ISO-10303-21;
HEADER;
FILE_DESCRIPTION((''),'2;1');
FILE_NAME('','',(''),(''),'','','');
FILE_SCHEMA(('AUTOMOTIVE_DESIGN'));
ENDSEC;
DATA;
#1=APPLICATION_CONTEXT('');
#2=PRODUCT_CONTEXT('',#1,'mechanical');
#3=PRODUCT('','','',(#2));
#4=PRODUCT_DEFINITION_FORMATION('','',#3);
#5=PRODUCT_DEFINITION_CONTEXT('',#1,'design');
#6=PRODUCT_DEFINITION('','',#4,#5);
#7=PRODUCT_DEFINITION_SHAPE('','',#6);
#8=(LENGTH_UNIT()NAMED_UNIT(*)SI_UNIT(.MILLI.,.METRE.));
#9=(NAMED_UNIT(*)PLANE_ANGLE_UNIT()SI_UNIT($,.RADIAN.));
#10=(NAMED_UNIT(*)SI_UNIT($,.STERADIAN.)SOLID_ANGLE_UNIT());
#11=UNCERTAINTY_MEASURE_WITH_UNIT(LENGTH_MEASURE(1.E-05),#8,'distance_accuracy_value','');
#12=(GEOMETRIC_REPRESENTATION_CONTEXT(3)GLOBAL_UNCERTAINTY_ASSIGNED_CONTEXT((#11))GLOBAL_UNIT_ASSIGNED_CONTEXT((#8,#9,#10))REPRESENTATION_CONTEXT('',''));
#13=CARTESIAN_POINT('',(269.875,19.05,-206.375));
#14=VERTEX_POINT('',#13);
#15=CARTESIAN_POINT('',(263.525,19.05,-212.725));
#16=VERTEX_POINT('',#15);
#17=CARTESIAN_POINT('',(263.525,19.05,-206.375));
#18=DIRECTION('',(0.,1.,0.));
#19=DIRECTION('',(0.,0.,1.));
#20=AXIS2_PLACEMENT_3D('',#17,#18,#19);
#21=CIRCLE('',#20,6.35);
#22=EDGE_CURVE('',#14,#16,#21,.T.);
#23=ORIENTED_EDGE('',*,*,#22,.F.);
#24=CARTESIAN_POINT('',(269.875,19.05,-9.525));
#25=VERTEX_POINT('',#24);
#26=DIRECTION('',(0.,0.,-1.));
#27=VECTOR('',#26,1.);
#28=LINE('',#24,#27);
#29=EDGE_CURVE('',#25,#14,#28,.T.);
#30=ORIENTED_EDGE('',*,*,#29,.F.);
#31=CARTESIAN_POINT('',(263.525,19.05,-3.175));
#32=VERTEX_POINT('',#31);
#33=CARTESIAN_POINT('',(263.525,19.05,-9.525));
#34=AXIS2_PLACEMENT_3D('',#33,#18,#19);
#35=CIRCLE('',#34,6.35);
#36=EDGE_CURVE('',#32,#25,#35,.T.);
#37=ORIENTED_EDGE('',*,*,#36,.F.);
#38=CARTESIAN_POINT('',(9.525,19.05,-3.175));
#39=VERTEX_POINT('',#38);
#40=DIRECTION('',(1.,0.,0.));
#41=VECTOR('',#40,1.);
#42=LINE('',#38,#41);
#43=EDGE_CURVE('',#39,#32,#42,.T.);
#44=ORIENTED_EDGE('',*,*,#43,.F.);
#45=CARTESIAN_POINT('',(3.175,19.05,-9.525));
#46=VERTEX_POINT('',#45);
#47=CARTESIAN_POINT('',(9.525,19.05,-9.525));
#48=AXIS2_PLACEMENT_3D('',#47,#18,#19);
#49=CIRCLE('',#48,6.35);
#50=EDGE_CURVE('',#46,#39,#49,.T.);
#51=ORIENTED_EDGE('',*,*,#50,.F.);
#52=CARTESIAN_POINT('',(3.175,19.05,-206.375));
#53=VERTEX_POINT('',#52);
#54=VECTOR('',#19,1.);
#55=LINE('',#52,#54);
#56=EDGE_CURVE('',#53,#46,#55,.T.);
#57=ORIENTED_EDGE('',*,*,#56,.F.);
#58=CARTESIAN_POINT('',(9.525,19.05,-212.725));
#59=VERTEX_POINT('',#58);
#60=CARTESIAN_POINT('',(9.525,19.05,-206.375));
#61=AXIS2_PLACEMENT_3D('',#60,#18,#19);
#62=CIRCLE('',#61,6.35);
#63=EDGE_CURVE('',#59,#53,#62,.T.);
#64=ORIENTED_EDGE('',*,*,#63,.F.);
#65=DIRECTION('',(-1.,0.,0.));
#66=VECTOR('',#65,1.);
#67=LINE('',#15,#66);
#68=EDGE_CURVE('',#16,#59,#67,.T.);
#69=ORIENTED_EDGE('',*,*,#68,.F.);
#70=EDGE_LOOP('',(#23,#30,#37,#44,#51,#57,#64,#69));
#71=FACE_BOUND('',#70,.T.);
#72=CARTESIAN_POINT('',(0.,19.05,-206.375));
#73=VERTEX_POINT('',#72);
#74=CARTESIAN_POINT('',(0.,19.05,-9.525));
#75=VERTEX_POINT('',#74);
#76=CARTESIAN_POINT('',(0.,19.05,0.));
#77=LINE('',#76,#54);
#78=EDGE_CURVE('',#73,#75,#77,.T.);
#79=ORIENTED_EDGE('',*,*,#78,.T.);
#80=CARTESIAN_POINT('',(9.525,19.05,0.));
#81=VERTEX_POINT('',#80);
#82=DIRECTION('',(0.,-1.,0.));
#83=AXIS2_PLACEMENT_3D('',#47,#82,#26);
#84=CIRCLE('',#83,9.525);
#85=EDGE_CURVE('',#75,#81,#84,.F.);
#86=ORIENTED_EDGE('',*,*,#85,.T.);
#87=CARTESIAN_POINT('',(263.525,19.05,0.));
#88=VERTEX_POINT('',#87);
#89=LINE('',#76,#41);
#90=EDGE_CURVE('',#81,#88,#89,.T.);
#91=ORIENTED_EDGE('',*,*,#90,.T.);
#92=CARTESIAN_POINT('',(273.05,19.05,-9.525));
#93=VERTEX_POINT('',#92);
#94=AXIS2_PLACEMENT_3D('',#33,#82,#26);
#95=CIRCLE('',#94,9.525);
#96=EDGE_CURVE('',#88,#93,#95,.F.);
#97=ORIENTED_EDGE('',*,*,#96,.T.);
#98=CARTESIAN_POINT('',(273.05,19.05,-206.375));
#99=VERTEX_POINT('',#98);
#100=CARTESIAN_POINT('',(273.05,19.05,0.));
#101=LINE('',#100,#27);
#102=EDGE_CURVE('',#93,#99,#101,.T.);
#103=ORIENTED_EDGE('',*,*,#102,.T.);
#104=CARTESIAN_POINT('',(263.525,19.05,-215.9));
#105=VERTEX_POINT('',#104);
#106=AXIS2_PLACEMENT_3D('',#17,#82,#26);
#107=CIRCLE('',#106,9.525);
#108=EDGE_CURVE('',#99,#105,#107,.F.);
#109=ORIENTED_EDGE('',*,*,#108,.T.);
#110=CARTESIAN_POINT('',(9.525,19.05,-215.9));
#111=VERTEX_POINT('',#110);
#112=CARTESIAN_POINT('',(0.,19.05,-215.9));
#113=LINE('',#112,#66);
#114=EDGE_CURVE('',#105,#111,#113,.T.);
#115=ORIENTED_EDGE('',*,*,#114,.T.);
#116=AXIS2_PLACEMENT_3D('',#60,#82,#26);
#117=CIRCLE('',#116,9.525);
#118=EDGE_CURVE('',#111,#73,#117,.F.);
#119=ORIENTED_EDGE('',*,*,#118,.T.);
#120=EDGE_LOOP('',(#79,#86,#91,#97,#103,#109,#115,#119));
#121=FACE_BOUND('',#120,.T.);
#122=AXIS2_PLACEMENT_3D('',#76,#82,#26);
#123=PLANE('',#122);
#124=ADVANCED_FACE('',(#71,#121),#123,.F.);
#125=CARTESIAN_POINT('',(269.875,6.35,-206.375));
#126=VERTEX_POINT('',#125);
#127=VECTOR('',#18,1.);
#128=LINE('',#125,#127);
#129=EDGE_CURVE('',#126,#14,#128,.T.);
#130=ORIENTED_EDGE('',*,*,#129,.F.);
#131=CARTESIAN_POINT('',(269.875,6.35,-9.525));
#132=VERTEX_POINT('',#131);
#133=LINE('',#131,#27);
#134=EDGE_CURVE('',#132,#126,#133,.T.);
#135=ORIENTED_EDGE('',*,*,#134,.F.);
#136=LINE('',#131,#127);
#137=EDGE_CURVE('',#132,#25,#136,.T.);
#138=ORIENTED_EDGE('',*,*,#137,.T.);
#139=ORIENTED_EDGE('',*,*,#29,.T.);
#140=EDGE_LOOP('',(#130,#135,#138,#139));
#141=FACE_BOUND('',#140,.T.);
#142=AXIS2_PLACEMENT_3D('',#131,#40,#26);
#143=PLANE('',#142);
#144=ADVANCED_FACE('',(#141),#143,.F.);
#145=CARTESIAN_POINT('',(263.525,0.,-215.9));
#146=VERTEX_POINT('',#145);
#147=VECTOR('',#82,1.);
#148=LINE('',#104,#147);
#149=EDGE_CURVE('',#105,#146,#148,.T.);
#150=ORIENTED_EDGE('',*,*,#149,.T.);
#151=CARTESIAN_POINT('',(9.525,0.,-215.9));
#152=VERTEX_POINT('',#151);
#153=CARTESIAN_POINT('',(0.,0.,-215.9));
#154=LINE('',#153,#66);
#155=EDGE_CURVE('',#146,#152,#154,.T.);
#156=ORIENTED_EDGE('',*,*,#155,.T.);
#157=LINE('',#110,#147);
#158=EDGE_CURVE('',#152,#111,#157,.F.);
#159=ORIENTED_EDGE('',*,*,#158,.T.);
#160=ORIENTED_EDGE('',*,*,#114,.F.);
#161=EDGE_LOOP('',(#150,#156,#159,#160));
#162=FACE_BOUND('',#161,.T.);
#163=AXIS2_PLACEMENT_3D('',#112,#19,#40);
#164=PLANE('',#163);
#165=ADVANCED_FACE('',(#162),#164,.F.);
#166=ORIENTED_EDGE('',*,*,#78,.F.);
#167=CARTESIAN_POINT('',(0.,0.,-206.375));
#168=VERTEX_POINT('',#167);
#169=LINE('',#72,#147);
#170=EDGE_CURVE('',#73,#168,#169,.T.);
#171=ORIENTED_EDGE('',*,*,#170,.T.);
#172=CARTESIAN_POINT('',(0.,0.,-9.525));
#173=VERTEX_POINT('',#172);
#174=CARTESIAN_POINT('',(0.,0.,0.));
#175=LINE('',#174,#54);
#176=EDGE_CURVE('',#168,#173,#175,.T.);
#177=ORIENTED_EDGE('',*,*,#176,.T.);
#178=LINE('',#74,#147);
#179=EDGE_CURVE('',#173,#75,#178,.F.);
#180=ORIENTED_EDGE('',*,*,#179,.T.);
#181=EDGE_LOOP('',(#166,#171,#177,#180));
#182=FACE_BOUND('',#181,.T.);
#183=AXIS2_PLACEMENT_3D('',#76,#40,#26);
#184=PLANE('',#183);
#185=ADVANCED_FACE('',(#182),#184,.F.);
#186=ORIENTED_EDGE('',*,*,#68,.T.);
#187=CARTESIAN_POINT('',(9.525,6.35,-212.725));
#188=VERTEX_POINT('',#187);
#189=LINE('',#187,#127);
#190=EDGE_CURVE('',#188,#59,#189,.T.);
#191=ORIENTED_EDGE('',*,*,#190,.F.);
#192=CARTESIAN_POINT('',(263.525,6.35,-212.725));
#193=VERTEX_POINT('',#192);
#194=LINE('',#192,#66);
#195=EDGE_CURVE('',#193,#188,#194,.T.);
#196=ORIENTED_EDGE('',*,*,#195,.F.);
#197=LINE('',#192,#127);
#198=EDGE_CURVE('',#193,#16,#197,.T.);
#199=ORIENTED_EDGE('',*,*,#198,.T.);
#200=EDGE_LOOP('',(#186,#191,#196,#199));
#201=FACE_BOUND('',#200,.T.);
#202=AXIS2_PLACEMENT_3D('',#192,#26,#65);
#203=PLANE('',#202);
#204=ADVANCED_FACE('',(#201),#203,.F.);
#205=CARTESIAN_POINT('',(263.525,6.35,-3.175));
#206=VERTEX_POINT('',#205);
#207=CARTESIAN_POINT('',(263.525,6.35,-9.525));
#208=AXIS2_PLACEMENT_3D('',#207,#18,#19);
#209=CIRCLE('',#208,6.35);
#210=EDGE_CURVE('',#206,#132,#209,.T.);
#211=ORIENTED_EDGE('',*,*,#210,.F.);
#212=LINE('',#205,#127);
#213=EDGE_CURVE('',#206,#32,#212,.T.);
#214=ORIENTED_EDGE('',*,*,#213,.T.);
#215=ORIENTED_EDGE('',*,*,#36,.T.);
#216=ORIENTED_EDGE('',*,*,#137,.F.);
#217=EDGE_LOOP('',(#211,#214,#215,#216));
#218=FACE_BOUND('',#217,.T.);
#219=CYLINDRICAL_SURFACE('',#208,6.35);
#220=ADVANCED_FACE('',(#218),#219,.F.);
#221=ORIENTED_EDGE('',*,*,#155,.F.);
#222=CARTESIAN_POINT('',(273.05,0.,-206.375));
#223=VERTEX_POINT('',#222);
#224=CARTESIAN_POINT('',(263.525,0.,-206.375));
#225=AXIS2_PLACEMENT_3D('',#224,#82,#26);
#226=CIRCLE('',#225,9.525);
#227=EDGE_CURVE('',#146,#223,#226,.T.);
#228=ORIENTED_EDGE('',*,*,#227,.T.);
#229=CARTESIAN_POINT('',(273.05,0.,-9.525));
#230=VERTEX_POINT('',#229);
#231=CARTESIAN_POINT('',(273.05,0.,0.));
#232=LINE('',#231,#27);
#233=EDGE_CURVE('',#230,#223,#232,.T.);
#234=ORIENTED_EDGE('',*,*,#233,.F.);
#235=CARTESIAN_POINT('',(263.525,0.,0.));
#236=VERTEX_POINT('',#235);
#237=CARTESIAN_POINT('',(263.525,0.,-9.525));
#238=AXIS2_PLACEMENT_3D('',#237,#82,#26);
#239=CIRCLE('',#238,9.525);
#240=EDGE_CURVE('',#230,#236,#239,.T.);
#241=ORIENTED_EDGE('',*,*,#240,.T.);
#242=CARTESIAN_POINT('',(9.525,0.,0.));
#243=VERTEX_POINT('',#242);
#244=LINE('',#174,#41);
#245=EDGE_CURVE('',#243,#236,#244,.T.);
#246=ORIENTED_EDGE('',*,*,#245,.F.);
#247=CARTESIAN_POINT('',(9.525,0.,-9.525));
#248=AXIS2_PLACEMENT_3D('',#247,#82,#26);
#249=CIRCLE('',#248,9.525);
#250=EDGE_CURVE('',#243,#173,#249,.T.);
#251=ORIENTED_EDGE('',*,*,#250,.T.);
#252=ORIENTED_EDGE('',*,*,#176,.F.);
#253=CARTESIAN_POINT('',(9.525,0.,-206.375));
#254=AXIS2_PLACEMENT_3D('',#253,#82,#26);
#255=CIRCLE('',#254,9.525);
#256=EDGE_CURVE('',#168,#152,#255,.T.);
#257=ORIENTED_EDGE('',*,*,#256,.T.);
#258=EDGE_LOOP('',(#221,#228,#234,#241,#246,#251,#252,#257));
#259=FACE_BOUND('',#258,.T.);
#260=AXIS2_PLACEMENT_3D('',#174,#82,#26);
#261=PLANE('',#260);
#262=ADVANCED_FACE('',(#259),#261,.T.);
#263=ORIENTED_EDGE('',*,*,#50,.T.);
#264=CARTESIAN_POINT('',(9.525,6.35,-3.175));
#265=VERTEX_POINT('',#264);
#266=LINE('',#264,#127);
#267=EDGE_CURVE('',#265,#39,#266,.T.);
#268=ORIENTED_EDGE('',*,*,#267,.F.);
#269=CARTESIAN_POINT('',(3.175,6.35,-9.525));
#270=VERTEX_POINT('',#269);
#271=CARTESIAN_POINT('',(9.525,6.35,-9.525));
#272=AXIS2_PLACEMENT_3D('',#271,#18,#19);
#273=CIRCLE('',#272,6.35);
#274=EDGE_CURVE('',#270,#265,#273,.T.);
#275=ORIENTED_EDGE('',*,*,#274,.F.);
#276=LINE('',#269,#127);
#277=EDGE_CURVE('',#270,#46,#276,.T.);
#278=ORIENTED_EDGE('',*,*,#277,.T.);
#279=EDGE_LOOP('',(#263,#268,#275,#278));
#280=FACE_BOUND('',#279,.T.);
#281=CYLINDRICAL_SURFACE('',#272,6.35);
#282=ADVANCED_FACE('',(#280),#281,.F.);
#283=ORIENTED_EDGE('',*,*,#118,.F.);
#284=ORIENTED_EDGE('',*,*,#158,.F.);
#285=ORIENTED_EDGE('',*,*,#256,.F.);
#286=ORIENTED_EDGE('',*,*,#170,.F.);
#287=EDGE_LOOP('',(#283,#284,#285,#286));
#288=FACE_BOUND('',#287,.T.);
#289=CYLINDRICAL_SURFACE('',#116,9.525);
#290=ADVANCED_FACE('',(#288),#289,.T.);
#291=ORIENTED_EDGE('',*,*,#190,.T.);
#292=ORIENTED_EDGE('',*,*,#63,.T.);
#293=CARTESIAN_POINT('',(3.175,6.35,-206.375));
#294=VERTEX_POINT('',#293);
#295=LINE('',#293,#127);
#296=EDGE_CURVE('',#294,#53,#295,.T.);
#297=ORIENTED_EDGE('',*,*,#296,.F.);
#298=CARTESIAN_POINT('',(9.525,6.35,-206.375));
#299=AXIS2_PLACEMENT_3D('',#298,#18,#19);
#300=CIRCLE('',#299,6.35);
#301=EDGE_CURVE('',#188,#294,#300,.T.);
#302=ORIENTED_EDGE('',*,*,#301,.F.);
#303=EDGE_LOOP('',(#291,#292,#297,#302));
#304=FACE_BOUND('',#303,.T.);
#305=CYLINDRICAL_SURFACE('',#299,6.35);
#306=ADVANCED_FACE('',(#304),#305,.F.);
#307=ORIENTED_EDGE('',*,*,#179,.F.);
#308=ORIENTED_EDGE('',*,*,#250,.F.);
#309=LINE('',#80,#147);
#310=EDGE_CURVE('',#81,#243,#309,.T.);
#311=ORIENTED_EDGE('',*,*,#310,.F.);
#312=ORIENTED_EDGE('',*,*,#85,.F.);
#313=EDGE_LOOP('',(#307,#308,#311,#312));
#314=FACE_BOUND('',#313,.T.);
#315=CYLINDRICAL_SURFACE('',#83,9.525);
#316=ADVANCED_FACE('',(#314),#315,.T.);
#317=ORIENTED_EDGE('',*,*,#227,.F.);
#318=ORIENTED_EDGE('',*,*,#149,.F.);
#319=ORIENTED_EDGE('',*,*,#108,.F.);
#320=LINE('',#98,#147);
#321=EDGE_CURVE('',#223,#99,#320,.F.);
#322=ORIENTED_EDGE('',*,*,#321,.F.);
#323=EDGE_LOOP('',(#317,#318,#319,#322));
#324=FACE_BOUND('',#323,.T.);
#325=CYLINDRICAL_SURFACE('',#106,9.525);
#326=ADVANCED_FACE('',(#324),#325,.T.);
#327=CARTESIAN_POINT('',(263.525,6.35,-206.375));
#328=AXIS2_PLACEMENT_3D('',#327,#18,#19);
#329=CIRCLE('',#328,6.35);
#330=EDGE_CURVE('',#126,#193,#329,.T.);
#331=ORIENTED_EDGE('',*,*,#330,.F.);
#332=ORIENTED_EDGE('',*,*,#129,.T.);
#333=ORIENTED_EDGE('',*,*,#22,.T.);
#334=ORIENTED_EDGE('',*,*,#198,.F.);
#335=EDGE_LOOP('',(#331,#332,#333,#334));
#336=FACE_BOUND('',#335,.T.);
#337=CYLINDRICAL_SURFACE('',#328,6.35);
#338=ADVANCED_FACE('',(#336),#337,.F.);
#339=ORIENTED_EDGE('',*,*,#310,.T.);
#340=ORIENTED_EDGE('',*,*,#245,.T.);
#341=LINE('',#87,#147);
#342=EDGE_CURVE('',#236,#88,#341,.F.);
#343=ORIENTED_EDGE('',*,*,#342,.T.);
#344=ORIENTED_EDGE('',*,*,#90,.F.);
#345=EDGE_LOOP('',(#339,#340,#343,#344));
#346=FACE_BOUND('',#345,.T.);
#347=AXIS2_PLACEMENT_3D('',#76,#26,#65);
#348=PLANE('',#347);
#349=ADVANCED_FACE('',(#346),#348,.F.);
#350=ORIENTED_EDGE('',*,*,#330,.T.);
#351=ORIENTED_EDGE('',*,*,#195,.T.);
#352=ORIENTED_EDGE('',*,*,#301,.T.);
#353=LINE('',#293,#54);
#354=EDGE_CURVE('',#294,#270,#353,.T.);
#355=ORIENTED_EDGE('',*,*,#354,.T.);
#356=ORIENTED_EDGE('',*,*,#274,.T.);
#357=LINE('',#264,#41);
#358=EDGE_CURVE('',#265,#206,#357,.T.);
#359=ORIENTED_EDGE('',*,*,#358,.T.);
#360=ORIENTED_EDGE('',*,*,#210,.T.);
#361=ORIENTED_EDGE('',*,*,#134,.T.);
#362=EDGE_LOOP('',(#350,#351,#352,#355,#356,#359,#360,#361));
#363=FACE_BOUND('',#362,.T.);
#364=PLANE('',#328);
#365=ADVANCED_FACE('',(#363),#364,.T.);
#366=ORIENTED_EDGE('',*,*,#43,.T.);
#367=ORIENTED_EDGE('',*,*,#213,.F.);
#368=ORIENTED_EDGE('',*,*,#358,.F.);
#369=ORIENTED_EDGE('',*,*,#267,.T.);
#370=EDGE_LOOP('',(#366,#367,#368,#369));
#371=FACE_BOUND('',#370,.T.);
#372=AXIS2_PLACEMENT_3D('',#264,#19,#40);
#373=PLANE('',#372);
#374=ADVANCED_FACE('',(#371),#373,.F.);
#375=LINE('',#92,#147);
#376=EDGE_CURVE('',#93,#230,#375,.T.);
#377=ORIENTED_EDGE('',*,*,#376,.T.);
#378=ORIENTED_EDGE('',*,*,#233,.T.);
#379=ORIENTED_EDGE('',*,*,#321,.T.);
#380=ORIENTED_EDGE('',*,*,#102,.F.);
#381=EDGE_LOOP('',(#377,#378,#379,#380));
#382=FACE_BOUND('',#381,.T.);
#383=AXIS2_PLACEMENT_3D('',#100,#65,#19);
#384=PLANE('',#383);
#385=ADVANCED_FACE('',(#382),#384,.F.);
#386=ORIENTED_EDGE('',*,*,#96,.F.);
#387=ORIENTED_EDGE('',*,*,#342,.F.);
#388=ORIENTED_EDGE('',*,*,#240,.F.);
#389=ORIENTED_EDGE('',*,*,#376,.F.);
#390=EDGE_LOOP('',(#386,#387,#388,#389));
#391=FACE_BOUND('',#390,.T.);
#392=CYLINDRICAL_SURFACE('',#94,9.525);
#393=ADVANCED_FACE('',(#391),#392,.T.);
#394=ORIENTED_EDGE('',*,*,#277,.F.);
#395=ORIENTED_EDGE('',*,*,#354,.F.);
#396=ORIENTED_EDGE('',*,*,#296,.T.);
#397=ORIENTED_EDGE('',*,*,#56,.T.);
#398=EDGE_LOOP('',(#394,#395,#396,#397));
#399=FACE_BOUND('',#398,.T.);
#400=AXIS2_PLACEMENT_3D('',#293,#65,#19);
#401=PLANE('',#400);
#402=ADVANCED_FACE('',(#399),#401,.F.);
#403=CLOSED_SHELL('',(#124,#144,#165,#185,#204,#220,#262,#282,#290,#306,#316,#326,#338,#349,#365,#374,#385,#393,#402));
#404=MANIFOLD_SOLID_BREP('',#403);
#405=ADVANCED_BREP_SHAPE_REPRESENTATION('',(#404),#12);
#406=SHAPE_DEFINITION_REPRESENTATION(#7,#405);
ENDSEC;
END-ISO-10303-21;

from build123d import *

# Parameters (mm, degrees)
SKETCH1_W           = 273.05
SKETCH1_H           = 215.9
BOSS_EXTRUDE1_DEPTH = 19.05
FILLET1_R           = 9.525
CUT_EXTRUDE1_DEPTH  = 12.7


with BuildPart() as part:
    # Sketch1 → Boss-Extrude1 (new body)
    with BuildSketch(Plane(origin=(0, 0, 0), x_dir=(1, 0, 0), z_dir=(0, 1, 0))):
        with Locations((136.525, 107.95)):
            Rectangle(SKETCH1_W, SKETCH1_H)
    extrude(amount=BOSS_EXTRUDE1_DEPTH)

    # Fillet1
    fillet1_edges = [part.edges().sort_by_distance(p)[0] for p in [
        (0, 9.525, -215.9),
        (273.05, 9.525, -215.9),
        (273.05, 9.525, 0),
        (0, 9.525, 0),
    ]]
    fillet(fillet1_edges, radius=FILLET1_R)

    # Sketch3 → Cut-Extrude1 (cut)
    with BuildSketch(Plane(origin=(0, 19.05, 0), x_dir=(1, 0, 0), z_dir=(0, 1, 0))):
        with BuildLine():
            Line((269.875, 9.525), (269.875, 206.375))
            ThreePointArc((269.875, 206.375), (268.015128061, 210.865128061), (263.525, 212.725))
            Line((263.525, 212.725), (9.525, 212.725))
            ThreePointArc((9.525, 212.725), (5.034871939, 210.865128061), (3.175, 206.375))
            Line((3.175, 206.375), (3.175, 9.525))
            ThreePointArc((3.175, 9.525), (5.034871939, 5.034871939), (9.525, 3.175))
            Line((9.525, 3.175), (263.525, 3.175))
            ThreePointArc((263.525, 3.175), (268.015128061, 5.034871939), (269.875, 9.525))
        make_face()
    extrude(amount=-CUT_EXTRUDE1_DEPTH, mode=Mode.SUBTRACT)


solid = part.part
